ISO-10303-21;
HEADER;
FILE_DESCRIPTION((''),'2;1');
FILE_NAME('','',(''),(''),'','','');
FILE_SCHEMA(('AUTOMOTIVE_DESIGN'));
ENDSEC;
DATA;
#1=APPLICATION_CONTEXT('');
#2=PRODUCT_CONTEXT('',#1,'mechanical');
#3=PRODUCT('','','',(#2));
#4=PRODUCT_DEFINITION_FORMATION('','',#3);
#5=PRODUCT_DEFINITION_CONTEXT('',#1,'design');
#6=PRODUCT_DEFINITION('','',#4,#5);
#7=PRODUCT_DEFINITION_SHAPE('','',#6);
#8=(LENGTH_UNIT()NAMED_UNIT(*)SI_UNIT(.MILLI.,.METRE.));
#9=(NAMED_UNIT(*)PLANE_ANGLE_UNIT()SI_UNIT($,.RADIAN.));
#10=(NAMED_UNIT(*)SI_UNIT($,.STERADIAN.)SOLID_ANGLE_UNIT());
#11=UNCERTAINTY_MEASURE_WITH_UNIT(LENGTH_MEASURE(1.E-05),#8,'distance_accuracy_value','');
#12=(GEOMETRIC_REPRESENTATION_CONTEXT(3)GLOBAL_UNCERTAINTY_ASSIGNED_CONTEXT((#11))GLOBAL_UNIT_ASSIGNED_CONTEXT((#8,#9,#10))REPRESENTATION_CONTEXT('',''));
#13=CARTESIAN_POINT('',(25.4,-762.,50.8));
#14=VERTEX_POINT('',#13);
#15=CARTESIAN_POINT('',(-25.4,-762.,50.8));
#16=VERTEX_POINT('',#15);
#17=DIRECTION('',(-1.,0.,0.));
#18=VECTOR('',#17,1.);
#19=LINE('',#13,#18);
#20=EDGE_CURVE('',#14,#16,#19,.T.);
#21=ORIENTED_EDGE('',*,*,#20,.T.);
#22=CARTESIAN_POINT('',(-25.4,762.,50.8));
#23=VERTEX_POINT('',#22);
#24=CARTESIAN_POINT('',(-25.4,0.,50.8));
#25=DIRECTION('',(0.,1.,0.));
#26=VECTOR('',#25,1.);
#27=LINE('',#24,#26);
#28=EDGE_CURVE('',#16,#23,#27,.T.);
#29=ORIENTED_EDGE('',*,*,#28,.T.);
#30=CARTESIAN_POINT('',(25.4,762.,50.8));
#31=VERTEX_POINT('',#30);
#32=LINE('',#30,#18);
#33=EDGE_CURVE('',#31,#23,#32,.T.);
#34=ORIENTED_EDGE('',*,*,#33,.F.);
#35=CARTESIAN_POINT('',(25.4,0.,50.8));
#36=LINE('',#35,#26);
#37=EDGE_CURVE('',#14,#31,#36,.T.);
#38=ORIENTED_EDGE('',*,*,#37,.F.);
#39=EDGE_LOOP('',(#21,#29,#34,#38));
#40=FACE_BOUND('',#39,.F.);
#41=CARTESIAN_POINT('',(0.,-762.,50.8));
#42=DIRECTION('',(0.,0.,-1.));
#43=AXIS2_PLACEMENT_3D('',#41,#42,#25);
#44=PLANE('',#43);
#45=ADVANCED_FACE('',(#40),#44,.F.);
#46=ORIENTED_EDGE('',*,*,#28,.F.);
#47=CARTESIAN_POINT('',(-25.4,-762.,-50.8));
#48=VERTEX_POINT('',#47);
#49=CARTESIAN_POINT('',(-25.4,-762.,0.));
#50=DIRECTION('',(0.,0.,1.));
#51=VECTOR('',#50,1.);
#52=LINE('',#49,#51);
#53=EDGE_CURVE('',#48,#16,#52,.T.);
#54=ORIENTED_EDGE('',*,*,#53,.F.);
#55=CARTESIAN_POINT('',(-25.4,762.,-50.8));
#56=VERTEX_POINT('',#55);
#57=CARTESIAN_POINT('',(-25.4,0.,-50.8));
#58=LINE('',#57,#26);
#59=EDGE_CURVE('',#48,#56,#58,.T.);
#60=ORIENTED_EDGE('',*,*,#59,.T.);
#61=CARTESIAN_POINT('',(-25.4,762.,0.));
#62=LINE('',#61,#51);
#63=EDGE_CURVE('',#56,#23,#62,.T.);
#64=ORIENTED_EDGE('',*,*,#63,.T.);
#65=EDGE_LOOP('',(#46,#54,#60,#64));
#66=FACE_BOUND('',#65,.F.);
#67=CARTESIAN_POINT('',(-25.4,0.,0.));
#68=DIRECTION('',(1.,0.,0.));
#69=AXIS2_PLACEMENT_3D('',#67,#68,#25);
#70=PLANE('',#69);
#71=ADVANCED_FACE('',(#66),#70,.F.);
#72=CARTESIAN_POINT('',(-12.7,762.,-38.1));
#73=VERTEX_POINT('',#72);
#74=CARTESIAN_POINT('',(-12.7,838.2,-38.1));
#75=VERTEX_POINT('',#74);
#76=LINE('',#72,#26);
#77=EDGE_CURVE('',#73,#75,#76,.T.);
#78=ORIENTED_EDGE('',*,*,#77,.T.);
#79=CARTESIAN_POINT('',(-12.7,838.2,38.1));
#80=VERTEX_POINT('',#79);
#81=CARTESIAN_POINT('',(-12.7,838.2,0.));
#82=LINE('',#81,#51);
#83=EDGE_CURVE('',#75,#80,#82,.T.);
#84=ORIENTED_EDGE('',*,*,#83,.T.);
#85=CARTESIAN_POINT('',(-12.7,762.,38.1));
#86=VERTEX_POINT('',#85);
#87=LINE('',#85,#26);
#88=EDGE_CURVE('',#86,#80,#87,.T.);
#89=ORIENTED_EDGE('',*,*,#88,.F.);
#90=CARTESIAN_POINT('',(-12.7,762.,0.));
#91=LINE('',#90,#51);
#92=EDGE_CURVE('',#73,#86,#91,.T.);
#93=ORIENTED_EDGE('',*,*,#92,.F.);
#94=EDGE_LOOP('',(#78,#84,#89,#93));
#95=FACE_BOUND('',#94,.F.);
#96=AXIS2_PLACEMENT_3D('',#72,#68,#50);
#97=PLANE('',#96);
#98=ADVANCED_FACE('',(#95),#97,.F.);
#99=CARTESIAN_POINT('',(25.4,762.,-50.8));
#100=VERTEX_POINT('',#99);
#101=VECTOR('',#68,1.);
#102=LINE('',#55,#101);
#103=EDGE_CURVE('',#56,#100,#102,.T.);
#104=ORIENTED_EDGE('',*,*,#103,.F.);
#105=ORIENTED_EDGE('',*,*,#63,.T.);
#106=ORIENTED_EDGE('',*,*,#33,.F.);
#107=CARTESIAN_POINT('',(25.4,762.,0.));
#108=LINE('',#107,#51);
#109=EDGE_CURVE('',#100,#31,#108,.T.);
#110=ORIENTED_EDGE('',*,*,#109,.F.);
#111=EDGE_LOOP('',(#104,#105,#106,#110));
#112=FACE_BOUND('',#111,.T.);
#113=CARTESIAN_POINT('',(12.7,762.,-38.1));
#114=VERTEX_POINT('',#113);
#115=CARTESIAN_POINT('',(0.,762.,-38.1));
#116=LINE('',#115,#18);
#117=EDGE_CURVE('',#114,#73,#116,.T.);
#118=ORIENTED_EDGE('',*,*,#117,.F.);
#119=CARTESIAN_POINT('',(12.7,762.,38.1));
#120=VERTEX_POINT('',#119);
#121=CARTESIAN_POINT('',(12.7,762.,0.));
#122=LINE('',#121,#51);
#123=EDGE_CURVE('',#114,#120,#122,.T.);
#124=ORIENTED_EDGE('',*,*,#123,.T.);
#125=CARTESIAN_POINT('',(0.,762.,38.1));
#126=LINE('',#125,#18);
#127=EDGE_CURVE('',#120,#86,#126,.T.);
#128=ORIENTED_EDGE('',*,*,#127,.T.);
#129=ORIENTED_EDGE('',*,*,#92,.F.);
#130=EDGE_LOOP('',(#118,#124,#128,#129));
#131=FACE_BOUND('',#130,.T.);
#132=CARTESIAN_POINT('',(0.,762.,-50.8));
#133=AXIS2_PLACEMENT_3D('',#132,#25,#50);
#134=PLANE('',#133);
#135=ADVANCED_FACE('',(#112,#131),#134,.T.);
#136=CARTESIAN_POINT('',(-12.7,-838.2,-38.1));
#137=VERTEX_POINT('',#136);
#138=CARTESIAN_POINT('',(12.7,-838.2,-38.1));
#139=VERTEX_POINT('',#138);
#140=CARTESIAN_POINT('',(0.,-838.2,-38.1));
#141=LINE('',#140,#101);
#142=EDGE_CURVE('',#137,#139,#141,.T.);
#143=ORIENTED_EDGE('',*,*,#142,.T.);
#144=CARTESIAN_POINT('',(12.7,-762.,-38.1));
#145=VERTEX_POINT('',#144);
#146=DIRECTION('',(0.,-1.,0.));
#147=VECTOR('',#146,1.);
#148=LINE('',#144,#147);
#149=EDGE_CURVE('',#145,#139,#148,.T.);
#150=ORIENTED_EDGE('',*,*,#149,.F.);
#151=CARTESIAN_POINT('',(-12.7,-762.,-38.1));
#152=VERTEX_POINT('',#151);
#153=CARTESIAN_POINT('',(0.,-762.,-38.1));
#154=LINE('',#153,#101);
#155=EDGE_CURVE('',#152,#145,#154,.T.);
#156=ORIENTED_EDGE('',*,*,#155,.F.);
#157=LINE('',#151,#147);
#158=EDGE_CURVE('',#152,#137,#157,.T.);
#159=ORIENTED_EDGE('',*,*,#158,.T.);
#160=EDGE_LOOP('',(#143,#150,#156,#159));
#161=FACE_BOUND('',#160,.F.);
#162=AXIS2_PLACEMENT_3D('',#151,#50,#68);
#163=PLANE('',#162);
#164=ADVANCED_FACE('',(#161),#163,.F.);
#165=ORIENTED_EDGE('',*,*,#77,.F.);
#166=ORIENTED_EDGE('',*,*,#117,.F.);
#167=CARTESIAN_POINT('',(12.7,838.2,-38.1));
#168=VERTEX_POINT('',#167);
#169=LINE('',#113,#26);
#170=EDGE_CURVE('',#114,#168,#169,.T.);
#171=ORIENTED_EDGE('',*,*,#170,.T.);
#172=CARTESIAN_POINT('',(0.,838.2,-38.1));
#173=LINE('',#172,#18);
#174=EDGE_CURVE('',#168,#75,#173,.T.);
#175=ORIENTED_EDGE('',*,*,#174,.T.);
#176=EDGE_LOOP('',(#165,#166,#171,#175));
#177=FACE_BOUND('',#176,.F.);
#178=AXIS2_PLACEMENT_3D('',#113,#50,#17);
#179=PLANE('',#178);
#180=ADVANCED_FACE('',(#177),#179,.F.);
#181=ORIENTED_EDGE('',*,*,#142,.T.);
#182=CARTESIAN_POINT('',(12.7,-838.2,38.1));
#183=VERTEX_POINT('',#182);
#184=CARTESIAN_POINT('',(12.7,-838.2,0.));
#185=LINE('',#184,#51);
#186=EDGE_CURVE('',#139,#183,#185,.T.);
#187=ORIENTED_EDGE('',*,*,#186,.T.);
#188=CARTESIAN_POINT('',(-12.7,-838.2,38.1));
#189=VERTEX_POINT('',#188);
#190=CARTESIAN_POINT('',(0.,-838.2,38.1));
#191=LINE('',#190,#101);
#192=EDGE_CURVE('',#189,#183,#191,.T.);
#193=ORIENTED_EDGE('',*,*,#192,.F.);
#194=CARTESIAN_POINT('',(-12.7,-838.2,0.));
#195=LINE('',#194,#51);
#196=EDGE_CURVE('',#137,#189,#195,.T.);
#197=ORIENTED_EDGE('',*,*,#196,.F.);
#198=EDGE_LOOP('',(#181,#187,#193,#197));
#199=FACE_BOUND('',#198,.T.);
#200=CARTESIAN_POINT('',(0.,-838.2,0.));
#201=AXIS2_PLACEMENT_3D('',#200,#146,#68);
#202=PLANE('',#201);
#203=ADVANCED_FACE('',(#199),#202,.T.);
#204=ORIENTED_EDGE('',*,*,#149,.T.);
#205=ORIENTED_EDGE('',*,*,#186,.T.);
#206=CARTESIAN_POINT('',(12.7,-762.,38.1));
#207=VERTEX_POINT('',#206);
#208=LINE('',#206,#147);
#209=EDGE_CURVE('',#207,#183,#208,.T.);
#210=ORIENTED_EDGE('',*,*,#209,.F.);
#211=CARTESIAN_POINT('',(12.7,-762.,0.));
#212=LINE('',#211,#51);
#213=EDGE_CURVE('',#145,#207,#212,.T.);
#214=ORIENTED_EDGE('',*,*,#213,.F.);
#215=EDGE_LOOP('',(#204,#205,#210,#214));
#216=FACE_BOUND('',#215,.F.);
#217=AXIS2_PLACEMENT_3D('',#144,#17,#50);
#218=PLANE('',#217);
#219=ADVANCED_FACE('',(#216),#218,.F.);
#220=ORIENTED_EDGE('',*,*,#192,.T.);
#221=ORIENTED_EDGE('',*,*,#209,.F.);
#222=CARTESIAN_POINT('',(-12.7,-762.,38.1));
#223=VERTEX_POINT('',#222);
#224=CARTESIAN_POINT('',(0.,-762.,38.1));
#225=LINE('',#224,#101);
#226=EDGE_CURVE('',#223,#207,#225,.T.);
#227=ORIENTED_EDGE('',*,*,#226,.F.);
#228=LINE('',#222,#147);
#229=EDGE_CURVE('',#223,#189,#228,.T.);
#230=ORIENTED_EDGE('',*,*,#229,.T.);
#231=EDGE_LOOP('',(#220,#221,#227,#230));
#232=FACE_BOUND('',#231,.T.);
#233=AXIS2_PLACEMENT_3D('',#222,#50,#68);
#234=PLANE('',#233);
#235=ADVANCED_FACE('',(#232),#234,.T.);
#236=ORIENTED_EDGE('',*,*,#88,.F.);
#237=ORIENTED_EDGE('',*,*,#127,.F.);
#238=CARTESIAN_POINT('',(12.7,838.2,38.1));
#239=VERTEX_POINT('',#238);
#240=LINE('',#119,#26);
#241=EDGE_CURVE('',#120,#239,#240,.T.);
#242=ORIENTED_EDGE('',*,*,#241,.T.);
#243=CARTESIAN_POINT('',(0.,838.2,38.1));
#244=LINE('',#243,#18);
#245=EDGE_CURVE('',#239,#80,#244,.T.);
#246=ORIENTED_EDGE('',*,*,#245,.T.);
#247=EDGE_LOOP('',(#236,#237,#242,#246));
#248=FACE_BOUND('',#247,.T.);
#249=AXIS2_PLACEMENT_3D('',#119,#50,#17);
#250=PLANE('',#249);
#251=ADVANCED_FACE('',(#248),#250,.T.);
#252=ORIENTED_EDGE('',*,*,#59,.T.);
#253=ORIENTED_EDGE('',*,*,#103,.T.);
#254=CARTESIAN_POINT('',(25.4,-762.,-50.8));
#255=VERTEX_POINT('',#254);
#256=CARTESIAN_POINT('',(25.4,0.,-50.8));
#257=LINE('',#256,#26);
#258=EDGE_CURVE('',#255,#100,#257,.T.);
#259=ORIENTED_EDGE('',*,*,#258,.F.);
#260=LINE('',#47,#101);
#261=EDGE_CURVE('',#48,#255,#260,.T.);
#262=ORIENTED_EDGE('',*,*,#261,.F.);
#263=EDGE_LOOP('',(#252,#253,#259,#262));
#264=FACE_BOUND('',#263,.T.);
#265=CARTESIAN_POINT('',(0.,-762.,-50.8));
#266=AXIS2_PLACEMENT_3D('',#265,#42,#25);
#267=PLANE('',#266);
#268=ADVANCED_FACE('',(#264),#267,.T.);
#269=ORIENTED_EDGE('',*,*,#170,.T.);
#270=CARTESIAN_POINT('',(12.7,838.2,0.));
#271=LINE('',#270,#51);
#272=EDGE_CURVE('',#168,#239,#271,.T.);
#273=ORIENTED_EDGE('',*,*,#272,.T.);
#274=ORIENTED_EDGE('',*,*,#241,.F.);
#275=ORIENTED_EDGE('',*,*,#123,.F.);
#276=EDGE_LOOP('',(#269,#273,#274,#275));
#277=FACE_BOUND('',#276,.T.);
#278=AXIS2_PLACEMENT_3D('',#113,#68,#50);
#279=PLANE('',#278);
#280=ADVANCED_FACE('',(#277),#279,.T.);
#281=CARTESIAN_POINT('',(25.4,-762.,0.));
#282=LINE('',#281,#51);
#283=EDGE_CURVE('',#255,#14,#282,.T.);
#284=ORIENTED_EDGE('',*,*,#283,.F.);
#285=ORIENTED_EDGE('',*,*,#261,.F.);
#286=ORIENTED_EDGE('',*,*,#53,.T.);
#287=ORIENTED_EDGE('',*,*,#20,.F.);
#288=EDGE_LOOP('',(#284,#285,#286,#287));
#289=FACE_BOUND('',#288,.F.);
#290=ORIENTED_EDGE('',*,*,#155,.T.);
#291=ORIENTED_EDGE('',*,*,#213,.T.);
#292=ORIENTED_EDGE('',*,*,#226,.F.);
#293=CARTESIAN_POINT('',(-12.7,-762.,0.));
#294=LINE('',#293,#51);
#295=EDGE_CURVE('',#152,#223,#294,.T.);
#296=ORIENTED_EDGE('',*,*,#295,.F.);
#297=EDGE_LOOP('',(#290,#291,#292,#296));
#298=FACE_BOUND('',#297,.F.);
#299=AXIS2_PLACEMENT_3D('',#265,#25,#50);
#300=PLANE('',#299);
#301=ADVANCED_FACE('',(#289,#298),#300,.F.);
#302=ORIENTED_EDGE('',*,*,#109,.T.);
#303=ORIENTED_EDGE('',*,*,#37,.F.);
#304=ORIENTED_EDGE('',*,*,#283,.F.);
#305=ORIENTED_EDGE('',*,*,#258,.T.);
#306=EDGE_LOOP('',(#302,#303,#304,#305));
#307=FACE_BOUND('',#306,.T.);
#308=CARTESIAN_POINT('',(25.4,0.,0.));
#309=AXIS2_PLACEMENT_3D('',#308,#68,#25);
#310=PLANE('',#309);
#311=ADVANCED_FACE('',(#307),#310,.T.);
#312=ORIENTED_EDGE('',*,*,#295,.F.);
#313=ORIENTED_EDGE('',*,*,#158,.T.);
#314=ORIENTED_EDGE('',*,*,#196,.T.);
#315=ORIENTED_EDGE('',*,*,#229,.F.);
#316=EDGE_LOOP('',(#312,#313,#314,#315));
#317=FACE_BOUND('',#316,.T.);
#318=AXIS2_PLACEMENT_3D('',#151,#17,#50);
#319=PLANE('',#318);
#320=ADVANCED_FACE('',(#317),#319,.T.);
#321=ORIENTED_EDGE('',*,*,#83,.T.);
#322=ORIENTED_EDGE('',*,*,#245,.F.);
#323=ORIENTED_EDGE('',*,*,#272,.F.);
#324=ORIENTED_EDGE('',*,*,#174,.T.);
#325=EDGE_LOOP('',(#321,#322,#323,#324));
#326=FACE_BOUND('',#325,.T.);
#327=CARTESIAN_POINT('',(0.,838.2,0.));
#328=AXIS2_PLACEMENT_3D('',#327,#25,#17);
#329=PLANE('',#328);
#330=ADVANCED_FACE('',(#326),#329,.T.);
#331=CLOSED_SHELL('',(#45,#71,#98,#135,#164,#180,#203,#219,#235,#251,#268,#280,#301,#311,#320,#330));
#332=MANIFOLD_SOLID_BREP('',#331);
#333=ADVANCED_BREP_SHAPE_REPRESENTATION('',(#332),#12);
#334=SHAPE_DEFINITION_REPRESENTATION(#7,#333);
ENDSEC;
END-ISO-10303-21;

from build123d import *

# Parameters (mm, degrees)
F0_W          = 1524
F0_H          = 101.6
F1_DEPTH      = 25.4
F1_DEPTH_BACK = 25.4
F2_W          = 25.4
F2_H          = 76.2
F3_DEPTH      = 76.2
F4_W          = 25.4
F4_H          = 76.2
F5_DEPTH      = 76.2


with BuildPart() as f1:
    # F0 (on Right) → F1 (new body, two sides)
    with BuildSketch(Plane.YZ) as f1_sk:
        Rectangle(F0_W, F0_H)
    extrude(amount=F1_DEPTH)
    extrude(f1_sk.sketch, amount=-F1_DEPTH_BACK)

    # F2 (on face) → F3 (join)
    with BuildSketch(Plane(origin=(0, 762, 0), x_dir=(-1, 0, 0), z_dir=(0, 1, 0))):
        Rectangle(F2_W, F2_H)
    extrude(amount=F3_DEPTH)

    # F4 (on face) → F5 (join)
    with BuildSketch(Plane.XZ.offset(762)):
        Rectangle(F4_W, F4_H)
    extrude(amount=F5_DEPTH)


solid = f1.part
